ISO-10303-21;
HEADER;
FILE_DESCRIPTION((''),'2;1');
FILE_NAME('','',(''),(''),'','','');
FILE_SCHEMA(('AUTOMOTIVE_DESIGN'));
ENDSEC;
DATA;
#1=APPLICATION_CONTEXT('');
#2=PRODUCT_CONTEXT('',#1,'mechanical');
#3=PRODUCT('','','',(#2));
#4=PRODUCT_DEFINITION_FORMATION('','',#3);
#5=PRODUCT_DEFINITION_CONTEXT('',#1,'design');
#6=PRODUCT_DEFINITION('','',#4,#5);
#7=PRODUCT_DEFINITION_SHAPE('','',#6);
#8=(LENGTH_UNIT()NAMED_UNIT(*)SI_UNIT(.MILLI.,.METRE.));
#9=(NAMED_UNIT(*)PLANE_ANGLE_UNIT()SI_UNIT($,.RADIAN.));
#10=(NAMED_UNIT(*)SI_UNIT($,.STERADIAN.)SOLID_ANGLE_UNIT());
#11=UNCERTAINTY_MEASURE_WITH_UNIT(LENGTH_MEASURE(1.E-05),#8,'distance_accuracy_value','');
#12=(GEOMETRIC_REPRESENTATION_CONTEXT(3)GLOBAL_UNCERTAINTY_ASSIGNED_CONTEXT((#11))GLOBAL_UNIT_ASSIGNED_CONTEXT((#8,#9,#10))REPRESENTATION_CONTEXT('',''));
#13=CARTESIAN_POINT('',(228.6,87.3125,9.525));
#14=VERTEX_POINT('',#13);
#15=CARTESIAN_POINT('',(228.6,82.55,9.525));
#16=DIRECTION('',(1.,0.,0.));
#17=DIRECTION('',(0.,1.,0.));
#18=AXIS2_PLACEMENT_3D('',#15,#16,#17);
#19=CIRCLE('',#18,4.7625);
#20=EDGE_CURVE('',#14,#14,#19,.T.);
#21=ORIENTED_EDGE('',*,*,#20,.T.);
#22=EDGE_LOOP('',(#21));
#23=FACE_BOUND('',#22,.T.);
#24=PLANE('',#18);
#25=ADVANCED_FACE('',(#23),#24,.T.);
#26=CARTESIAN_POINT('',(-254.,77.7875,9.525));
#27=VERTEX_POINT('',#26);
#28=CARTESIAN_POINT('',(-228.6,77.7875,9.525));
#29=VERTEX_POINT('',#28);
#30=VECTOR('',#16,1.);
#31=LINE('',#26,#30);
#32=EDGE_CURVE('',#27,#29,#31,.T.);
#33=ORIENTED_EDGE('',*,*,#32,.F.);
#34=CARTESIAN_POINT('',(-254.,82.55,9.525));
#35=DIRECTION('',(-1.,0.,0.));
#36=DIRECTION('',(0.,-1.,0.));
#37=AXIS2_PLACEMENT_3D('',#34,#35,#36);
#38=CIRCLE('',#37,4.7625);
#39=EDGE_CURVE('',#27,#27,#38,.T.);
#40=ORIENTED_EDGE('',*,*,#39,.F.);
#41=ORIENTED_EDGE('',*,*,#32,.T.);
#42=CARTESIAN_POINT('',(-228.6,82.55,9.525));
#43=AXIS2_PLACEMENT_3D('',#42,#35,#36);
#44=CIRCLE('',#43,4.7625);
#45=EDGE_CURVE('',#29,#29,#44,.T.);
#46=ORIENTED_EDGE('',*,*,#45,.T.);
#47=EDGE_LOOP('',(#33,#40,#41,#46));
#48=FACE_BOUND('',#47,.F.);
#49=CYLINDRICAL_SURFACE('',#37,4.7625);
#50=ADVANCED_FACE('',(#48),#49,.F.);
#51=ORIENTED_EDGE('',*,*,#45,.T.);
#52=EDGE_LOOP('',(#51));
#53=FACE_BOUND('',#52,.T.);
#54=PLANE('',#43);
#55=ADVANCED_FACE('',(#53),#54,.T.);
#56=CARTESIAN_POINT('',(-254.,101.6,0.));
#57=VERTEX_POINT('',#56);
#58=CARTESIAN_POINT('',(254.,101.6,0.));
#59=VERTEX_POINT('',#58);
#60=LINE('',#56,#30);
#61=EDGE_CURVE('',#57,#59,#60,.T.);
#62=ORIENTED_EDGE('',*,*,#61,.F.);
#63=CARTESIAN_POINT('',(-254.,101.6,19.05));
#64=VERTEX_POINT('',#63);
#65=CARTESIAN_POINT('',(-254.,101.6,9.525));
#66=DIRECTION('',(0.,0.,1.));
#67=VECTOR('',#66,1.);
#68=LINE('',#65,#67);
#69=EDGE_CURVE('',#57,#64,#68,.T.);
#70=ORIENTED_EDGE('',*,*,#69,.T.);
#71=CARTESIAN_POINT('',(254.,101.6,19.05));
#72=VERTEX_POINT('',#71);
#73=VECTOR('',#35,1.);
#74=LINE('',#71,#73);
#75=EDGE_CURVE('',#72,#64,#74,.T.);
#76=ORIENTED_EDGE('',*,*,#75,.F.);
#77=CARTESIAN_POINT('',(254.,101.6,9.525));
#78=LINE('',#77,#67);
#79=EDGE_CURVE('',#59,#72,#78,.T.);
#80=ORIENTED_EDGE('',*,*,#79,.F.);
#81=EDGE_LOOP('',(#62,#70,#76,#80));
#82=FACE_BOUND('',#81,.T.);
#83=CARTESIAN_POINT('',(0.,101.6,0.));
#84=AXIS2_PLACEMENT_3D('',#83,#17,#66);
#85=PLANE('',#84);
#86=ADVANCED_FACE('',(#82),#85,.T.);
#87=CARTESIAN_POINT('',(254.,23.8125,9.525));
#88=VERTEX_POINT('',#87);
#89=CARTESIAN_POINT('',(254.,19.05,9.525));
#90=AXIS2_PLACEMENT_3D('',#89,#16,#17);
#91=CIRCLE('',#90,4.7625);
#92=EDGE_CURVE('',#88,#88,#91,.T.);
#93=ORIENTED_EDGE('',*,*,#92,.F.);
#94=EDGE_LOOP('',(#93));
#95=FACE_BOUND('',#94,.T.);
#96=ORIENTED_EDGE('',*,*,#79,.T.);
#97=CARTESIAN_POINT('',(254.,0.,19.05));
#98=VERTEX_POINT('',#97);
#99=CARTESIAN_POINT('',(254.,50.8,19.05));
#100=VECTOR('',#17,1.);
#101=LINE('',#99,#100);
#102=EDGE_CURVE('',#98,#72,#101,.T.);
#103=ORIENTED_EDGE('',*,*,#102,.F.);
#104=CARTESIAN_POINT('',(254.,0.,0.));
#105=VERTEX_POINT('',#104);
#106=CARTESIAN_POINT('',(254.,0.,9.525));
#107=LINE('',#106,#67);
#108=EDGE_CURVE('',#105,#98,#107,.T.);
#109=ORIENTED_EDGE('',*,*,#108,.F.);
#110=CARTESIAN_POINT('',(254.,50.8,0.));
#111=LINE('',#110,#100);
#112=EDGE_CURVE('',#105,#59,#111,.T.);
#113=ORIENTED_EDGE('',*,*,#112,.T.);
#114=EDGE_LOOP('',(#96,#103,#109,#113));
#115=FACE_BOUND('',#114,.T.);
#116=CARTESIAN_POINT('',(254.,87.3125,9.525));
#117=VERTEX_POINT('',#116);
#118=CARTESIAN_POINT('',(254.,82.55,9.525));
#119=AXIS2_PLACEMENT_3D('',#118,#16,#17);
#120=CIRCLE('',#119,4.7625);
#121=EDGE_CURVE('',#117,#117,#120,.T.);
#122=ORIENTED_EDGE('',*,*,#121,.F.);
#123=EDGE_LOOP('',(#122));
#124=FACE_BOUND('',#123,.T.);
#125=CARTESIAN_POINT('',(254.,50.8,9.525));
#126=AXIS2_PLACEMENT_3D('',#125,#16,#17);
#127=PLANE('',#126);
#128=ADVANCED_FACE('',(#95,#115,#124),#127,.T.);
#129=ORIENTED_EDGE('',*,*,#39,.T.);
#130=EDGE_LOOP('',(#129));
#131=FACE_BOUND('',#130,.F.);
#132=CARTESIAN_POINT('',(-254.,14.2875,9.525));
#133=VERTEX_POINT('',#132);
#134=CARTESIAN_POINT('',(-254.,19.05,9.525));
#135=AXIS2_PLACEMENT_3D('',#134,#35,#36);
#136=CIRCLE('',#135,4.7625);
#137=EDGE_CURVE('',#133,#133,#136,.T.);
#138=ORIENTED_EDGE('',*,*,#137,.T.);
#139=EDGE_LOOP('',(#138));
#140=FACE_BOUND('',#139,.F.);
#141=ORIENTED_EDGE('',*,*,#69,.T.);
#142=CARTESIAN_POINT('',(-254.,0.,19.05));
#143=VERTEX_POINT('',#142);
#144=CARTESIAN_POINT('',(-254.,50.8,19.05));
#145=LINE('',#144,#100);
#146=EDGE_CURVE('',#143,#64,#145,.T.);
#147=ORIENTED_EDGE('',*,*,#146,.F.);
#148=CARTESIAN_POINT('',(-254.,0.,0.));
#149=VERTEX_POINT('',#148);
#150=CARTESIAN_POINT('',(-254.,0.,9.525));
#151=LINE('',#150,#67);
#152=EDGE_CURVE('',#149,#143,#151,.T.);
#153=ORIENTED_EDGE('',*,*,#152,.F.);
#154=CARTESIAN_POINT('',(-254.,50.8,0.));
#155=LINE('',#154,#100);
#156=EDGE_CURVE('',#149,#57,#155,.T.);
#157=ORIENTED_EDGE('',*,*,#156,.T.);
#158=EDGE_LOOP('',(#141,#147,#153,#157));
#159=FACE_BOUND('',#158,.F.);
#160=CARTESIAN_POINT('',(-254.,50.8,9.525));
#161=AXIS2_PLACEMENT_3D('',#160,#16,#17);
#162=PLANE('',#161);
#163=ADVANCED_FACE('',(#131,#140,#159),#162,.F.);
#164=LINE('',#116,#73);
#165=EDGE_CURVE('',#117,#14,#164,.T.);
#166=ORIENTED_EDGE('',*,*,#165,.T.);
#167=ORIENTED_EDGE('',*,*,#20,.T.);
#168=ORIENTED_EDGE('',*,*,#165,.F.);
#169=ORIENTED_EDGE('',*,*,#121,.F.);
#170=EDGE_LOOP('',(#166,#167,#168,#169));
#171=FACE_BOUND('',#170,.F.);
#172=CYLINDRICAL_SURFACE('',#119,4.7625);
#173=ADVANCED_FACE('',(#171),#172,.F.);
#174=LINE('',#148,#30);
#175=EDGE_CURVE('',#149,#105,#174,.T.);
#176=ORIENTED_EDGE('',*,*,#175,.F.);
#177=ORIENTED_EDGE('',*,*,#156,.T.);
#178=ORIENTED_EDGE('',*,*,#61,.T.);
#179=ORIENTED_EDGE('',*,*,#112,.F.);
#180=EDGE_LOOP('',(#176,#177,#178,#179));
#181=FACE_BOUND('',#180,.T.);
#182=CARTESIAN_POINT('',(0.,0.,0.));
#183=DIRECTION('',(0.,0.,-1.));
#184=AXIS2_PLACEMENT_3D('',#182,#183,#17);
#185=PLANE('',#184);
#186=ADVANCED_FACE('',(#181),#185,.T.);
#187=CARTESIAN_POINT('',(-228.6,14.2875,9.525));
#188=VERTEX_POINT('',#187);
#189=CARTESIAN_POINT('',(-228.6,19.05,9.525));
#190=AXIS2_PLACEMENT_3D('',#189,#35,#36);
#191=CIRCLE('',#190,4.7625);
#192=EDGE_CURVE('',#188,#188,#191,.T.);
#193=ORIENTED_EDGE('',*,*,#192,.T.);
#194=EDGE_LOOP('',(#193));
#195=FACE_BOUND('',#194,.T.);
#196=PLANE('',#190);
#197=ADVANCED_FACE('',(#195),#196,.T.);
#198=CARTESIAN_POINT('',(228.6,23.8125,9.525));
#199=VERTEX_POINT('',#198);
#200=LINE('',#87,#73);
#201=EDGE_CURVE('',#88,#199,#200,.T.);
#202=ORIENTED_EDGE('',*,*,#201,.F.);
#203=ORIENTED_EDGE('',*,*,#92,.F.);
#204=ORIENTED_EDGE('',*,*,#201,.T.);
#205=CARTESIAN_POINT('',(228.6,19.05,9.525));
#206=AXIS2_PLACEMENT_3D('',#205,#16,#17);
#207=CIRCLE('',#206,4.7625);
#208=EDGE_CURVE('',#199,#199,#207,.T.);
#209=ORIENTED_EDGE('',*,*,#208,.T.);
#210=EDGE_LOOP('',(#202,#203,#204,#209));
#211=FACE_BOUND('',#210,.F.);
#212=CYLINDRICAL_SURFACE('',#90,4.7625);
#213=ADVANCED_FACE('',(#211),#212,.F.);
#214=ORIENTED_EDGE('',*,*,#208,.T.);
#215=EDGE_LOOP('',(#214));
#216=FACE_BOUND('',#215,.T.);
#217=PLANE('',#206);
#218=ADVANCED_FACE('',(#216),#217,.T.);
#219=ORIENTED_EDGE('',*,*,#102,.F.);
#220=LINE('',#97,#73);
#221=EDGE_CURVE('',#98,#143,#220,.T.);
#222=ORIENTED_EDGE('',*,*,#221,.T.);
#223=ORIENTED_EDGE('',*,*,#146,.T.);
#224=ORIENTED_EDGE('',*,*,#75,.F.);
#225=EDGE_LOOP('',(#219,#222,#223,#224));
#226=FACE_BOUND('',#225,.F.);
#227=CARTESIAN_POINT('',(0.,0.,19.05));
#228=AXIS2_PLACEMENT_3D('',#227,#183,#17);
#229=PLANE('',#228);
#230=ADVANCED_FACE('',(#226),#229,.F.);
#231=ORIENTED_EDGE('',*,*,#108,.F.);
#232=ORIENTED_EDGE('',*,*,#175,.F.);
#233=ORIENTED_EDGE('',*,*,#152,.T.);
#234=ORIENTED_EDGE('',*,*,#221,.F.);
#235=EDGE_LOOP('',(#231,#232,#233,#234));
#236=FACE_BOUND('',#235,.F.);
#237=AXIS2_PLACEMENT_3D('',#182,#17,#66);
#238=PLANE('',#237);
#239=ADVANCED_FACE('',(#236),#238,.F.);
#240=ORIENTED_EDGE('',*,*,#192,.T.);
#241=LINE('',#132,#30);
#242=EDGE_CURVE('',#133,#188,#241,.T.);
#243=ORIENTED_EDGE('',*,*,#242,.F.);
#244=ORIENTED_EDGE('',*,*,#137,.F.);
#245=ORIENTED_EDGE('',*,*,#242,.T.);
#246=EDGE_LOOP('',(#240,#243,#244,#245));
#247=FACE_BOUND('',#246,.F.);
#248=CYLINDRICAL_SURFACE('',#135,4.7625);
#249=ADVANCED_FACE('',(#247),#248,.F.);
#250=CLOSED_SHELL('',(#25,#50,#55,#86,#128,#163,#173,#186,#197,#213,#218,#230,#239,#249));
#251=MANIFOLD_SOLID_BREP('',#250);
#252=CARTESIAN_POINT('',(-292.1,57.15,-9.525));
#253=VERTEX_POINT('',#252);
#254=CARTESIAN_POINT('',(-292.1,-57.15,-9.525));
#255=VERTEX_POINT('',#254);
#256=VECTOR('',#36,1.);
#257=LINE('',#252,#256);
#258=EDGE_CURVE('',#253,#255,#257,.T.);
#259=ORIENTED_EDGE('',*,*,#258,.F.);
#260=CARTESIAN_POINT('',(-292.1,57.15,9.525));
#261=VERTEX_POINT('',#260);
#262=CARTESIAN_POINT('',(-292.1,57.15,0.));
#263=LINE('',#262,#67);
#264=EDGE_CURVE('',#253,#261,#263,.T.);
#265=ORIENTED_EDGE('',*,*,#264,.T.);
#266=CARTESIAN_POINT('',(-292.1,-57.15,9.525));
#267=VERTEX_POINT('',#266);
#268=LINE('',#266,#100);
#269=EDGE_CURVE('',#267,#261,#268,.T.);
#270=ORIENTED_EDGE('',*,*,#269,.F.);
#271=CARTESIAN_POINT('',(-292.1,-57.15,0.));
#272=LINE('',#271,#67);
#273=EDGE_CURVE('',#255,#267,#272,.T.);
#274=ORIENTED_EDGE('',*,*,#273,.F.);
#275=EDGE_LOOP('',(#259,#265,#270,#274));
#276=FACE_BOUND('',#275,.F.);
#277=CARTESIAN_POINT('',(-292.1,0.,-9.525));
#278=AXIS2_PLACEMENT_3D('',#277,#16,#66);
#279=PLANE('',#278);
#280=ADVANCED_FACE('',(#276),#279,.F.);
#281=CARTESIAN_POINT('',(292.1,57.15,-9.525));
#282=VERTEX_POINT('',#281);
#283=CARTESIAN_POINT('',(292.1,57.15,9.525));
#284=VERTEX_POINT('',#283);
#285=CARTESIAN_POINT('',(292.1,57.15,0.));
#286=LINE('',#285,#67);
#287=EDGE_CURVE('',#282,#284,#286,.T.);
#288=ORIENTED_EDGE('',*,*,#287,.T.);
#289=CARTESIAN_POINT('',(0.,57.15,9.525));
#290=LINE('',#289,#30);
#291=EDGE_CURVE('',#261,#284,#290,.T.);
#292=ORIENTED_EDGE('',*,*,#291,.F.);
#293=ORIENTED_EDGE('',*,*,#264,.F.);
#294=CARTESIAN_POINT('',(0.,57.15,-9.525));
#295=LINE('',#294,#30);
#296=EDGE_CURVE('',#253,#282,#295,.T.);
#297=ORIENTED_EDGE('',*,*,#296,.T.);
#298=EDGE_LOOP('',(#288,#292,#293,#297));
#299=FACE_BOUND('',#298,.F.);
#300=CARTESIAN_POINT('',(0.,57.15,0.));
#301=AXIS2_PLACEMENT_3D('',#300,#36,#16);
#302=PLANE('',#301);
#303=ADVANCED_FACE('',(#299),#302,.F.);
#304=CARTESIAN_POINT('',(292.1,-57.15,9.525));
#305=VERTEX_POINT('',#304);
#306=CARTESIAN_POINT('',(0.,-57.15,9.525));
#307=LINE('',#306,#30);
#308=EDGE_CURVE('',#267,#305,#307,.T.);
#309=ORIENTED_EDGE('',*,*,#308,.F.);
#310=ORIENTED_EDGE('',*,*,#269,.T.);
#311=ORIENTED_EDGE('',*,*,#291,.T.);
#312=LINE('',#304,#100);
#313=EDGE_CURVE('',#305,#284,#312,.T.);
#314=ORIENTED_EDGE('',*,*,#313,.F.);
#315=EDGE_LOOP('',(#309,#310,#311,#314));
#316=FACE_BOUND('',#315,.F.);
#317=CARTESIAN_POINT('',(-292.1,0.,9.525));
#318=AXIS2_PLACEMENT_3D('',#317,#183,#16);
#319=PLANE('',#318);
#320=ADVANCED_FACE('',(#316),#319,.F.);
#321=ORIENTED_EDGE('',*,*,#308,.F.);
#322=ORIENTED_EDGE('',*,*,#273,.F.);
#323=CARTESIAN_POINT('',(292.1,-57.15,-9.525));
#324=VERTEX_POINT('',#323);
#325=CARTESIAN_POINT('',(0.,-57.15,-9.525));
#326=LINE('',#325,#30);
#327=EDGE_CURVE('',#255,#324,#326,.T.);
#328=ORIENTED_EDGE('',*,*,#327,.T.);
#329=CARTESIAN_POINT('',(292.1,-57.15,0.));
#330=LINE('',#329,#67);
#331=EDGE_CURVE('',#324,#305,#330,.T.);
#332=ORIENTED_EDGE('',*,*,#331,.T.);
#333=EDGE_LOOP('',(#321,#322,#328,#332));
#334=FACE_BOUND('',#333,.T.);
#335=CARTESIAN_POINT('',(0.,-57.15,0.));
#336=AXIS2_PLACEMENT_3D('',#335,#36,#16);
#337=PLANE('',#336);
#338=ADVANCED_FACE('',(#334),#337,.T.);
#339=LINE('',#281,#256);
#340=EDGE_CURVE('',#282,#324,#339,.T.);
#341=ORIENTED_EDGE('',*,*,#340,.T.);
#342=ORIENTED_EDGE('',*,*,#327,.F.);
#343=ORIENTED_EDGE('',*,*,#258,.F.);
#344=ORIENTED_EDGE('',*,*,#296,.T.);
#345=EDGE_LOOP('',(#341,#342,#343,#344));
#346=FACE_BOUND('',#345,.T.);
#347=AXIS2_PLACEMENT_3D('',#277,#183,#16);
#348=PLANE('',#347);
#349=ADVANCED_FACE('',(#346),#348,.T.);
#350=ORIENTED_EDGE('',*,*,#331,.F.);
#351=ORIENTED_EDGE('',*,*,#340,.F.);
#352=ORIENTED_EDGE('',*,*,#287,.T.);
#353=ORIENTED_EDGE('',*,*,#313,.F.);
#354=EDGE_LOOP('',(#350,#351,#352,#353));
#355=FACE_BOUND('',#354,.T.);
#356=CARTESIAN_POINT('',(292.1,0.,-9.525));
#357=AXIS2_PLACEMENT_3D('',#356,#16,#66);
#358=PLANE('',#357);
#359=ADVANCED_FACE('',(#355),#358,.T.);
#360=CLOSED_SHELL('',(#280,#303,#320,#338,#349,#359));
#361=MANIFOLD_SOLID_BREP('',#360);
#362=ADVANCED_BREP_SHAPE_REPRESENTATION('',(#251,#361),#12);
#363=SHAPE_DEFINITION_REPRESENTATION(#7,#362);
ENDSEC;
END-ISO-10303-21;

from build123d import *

# Parameters (mm, degrees)
F0_W     = 101.6
F0_H     = 19.05
F1_DEPTH = 254
F2_R     = 4.7625
F3_DEPTH = 25.4
F4_R     = 4.7625
F5_DEPTH = 25.4
F6_W     = 584.2
F6_H     = 19.05
F7_DEPTH = 57.15


with BuildPart() as f1:
    # F0 (on Right) → F1 (new body, symmetric)
    with BuildSketch(Plane.YZ):
        with Locations((50.8, 9.525)):
            Rectangle(F0_W, F0_H)
    extrude(amount=F1_DEPTH, both=True)

    # F2 (on face) → F3 (cut)
    with BuildSketch(Plane.YZ.offset(254)):
        with Locations((19.05, 9.525)):
            Circle(F2_R)
        with Locations((82.55, 9.525)):
            Circle(F2_R)
    extrude(amount=-F3_DEPTH, mode=Mode.SUBTRACT)

    # F4 (on face) → F5 (cut)
    with BuildSketch(Plane(origin=(-254, 0, 0), x_dir=(0, -1, 0), z_dir=(-1, 0, 0))):
        with Locations((-82.55, 9.525)):
            Circle(F4_R)
        with Locations((-19.05, 9.525)):
            Circle(F4_R)
    extrude(amount=-F5_DEPTH, mode=Mode.SUBTRACT)


with BuildPart() as f7:
    # F6 (on Front) → F7 (new body, symmetric)
    with BuildSketch(Plane.XZ):
        Rectangle(F6_W, F6_H)
    extrude(amount=F7_DEPTH, both=True)


solid = Compound([f1.part, f7.part])
